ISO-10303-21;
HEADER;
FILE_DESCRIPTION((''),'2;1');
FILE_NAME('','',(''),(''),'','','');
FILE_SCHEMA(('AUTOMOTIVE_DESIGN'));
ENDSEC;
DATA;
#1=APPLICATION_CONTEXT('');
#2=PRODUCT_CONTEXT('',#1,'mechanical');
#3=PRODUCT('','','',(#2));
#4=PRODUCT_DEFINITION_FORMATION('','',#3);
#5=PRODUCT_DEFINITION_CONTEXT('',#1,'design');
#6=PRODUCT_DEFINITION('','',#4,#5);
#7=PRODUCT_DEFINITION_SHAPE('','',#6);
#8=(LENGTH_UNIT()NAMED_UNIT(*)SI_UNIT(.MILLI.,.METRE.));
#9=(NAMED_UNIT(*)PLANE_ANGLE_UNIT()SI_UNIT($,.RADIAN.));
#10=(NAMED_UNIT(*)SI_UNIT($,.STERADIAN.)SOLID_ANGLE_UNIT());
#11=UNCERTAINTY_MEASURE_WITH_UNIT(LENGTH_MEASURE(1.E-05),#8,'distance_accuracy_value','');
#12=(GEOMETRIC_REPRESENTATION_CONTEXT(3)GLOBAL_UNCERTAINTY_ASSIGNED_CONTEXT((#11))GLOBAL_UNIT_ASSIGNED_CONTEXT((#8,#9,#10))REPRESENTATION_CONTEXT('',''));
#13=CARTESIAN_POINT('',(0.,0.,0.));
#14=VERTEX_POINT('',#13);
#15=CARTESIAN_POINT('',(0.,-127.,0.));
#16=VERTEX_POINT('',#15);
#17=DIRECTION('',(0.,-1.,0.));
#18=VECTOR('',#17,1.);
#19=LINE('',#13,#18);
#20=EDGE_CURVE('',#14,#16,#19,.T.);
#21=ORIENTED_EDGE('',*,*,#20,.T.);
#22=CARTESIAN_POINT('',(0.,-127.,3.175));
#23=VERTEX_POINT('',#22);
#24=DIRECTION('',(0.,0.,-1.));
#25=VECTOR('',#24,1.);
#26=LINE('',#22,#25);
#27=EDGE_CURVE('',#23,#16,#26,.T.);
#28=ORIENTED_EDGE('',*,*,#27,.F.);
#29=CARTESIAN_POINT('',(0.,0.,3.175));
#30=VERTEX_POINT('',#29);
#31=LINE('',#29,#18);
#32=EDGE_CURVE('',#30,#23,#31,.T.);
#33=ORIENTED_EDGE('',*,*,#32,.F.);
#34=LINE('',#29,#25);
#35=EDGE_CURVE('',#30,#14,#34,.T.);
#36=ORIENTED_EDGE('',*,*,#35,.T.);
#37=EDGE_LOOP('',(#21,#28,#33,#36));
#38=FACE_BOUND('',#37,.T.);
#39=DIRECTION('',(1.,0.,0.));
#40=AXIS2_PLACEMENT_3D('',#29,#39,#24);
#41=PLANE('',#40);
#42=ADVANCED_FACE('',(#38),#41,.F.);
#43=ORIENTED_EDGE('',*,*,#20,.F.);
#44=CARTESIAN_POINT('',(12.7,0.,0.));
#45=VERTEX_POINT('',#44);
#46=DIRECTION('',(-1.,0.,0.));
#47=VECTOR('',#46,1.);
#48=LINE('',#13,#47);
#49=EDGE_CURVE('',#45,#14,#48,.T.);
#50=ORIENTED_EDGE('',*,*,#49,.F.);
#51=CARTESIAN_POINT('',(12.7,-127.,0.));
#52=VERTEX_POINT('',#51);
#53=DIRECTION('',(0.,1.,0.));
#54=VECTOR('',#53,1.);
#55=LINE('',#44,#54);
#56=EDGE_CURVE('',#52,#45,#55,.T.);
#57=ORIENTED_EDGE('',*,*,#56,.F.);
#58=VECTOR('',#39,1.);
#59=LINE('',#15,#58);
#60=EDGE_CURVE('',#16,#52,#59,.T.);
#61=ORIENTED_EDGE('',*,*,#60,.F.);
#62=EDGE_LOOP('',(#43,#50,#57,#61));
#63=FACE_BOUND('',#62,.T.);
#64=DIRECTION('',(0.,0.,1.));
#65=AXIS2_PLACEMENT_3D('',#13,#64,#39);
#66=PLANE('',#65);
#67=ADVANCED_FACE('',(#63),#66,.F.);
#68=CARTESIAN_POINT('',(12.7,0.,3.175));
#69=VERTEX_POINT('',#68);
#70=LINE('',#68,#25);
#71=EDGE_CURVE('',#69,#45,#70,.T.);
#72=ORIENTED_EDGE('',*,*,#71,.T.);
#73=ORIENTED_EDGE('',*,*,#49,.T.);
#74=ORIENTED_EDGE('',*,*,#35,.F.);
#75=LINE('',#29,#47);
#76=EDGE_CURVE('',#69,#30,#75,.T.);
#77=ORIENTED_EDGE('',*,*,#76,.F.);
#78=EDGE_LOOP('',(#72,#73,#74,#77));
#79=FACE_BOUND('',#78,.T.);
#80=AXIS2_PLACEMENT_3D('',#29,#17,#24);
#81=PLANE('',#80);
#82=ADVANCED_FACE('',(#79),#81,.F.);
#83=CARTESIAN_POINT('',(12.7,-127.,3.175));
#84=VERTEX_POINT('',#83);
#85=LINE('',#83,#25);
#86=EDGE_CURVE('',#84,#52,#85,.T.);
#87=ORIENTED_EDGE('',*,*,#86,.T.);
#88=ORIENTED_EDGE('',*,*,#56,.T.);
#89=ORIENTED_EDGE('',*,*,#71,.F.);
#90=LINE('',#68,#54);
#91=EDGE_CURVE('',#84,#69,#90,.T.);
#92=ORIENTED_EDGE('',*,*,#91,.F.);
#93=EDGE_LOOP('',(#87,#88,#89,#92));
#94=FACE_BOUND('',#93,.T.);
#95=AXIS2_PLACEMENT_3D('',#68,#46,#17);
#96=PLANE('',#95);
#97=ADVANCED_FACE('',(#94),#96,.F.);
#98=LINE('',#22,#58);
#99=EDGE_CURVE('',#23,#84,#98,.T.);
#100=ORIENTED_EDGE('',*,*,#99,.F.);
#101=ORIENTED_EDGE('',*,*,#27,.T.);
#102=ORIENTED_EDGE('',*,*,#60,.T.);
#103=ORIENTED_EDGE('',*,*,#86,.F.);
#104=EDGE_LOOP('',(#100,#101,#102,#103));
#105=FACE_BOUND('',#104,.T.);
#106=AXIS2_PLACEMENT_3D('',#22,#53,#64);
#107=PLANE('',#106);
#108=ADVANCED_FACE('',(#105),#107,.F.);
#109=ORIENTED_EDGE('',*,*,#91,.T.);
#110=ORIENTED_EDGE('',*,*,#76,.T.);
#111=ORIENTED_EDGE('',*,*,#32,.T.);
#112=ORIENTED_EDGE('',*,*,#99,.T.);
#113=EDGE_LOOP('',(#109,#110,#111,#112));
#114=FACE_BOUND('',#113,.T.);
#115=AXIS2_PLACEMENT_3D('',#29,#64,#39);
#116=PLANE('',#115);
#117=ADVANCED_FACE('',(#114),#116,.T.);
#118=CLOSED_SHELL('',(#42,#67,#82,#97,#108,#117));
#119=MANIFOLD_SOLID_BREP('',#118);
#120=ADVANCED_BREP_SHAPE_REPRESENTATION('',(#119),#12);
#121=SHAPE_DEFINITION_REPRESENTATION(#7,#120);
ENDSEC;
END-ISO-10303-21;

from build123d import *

# Parameters (mm, degrees)
SKETCH1_W   = 12.7
SKETCH1_H   = 127
STRIP_DEPTH = 3.175


with BuildPart() as part:
    # Sketch1 → Strip (new body)
    with BuildSketch(Plane.XY):
        with Locations((6.35, -63.5)):
            Rectangle(SKETCH1_W, SKETCH1_H)
    extrude(amount=STRIP_DEPTH)


solid = part.part
